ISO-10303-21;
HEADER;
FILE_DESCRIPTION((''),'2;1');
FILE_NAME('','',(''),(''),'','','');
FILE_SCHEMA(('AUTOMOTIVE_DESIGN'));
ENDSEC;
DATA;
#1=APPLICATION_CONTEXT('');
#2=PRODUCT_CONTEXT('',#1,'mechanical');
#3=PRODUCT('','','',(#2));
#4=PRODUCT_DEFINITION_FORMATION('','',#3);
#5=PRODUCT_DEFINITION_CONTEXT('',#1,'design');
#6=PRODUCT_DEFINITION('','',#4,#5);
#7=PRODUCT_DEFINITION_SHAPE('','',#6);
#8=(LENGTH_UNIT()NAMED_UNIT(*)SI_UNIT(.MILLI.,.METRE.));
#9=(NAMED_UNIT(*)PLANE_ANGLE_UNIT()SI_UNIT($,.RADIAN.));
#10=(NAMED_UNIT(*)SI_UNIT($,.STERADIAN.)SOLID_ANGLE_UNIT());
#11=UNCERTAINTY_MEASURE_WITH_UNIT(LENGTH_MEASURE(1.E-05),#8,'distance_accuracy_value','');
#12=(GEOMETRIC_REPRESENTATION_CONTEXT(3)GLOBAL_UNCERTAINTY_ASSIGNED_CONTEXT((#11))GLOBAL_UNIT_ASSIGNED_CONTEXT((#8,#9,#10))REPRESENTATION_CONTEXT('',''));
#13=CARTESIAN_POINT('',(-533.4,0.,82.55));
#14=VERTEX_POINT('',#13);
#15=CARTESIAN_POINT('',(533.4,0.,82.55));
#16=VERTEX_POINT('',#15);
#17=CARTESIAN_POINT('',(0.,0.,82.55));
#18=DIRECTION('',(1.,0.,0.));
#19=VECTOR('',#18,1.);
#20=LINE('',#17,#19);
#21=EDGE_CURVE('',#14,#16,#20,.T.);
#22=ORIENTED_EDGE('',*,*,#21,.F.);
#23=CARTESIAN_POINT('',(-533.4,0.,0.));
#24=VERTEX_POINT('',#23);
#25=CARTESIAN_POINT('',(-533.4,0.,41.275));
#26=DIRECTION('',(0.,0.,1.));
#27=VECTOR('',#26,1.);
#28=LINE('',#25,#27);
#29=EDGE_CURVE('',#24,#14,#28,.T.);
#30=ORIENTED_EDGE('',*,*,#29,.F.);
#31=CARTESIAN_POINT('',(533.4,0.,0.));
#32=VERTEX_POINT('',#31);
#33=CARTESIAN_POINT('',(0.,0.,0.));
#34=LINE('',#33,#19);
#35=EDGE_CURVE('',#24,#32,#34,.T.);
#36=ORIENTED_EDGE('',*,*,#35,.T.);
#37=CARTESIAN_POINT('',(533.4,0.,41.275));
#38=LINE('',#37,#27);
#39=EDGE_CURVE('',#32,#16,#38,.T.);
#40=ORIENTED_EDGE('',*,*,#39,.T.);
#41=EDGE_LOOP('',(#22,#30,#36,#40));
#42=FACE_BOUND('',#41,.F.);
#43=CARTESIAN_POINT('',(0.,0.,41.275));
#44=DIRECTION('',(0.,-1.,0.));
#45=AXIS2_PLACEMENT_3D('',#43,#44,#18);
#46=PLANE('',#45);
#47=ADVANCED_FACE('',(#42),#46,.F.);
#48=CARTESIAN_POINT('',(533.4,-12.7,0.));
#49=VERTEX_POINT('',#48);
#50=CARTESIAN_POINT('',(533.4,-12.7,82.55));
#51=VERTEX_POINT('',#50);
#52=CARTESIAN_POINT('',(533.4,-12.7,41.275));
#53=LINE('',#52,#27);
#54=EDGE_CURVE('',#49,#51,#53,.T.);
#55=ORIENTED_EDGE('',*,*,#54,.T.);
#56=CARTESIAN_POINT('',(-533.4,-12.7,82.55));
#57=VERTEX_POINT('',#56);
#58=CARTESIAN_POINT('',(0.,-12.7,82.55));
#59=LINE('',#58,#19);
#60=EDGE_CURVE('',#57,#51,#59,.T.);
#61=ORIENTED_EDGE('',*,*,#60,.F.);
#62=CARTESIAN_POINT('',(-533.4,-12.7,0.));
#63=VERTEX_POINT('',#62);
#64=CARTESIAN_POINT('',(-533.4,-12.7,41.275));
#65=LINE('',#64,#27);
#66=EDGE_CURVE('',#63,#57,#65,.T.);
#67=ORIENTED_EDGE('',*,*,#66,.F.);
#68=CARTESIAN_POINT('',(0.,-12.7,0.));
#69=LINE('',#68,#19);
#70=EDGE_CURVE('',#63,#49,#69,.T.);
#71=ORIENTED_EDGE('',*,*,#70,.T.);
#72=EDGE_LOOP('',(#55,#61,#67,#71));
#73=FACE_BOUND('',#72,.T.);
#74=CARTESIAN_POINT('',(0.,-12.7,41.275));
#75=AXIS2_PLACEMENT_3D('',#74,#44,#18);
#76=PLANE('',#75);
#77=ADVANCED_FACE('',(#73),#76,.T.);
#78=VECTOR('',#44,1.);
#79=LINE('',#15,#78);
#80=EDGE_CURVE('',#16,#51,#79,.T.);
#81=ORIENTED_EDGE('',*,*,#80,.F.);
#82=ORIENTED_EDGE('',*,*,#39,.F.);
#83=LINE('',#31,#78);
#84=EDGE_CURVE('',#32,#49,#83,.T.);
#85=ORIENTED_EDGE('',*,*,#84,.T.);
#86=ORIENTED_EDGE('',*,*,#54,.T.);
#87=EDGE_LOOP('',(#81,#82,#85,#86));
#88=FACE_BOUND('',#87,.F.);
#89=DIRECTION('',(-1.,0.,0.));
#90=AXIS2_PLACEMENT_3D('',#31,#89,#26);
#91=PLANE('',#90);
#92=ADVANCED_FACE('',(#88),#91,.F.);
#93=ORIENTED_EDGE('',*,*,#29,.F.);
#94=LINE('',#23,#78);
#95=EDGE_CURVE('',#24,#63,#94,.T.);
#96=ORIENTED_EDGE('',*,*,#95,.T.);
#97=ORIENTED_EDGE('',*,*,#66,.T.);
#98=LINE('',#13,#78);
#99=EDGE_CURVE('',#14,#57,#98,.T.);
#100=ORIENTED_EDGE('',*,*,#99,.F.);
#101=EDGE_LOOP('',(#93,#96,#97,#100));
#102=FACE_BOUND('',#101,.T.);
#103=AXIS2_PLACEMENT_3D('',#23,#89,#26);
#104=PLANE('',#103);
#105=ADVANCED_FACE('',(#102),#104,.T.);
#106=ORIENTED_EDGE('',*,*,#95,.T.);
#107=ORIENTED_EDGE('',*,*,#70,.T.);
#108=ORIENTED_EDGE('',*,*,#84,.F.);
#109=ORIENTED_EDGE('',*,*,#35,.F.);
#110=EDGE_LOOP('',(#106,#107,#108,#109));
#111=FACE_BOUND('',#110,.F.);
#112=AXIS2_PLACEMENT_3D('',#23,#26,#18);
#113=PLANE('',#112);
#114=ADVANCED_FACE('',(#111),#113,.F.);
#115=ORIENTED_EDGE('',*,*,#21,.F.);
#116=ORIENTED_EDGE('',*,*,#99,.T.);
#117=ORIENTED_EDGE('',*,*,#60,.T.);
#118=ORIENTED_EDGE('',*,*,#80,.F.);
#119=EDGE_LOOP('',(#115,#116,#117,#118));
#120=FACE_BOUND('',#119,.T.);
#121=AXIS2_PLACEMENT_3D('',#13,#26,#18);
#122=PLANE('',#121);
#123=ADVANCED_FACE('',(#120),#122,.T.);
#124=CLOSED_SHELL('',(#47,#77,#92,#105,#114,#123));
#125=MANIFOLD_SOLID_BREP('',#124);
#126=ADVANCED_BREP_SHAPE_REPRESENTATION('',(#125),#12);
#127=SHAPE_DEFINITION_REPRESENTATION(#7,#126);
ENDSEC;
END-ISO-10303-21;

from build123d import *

# Parameters (mm, degrees)
SKETCH_W  = 1066.8
SKETCH_H  = 82.55
PAD_DEPTH = 12.7


with BuildPart() as part:
    # Sketch → Pad (new body)
    with BuildSketch(Plane.XZ):
        with Locations((0, 41.275)):
            Rectangle(SKETCH_W, SKETCH_H)
    extrude(amount=PAD_DEPTH)


solid = part.part
